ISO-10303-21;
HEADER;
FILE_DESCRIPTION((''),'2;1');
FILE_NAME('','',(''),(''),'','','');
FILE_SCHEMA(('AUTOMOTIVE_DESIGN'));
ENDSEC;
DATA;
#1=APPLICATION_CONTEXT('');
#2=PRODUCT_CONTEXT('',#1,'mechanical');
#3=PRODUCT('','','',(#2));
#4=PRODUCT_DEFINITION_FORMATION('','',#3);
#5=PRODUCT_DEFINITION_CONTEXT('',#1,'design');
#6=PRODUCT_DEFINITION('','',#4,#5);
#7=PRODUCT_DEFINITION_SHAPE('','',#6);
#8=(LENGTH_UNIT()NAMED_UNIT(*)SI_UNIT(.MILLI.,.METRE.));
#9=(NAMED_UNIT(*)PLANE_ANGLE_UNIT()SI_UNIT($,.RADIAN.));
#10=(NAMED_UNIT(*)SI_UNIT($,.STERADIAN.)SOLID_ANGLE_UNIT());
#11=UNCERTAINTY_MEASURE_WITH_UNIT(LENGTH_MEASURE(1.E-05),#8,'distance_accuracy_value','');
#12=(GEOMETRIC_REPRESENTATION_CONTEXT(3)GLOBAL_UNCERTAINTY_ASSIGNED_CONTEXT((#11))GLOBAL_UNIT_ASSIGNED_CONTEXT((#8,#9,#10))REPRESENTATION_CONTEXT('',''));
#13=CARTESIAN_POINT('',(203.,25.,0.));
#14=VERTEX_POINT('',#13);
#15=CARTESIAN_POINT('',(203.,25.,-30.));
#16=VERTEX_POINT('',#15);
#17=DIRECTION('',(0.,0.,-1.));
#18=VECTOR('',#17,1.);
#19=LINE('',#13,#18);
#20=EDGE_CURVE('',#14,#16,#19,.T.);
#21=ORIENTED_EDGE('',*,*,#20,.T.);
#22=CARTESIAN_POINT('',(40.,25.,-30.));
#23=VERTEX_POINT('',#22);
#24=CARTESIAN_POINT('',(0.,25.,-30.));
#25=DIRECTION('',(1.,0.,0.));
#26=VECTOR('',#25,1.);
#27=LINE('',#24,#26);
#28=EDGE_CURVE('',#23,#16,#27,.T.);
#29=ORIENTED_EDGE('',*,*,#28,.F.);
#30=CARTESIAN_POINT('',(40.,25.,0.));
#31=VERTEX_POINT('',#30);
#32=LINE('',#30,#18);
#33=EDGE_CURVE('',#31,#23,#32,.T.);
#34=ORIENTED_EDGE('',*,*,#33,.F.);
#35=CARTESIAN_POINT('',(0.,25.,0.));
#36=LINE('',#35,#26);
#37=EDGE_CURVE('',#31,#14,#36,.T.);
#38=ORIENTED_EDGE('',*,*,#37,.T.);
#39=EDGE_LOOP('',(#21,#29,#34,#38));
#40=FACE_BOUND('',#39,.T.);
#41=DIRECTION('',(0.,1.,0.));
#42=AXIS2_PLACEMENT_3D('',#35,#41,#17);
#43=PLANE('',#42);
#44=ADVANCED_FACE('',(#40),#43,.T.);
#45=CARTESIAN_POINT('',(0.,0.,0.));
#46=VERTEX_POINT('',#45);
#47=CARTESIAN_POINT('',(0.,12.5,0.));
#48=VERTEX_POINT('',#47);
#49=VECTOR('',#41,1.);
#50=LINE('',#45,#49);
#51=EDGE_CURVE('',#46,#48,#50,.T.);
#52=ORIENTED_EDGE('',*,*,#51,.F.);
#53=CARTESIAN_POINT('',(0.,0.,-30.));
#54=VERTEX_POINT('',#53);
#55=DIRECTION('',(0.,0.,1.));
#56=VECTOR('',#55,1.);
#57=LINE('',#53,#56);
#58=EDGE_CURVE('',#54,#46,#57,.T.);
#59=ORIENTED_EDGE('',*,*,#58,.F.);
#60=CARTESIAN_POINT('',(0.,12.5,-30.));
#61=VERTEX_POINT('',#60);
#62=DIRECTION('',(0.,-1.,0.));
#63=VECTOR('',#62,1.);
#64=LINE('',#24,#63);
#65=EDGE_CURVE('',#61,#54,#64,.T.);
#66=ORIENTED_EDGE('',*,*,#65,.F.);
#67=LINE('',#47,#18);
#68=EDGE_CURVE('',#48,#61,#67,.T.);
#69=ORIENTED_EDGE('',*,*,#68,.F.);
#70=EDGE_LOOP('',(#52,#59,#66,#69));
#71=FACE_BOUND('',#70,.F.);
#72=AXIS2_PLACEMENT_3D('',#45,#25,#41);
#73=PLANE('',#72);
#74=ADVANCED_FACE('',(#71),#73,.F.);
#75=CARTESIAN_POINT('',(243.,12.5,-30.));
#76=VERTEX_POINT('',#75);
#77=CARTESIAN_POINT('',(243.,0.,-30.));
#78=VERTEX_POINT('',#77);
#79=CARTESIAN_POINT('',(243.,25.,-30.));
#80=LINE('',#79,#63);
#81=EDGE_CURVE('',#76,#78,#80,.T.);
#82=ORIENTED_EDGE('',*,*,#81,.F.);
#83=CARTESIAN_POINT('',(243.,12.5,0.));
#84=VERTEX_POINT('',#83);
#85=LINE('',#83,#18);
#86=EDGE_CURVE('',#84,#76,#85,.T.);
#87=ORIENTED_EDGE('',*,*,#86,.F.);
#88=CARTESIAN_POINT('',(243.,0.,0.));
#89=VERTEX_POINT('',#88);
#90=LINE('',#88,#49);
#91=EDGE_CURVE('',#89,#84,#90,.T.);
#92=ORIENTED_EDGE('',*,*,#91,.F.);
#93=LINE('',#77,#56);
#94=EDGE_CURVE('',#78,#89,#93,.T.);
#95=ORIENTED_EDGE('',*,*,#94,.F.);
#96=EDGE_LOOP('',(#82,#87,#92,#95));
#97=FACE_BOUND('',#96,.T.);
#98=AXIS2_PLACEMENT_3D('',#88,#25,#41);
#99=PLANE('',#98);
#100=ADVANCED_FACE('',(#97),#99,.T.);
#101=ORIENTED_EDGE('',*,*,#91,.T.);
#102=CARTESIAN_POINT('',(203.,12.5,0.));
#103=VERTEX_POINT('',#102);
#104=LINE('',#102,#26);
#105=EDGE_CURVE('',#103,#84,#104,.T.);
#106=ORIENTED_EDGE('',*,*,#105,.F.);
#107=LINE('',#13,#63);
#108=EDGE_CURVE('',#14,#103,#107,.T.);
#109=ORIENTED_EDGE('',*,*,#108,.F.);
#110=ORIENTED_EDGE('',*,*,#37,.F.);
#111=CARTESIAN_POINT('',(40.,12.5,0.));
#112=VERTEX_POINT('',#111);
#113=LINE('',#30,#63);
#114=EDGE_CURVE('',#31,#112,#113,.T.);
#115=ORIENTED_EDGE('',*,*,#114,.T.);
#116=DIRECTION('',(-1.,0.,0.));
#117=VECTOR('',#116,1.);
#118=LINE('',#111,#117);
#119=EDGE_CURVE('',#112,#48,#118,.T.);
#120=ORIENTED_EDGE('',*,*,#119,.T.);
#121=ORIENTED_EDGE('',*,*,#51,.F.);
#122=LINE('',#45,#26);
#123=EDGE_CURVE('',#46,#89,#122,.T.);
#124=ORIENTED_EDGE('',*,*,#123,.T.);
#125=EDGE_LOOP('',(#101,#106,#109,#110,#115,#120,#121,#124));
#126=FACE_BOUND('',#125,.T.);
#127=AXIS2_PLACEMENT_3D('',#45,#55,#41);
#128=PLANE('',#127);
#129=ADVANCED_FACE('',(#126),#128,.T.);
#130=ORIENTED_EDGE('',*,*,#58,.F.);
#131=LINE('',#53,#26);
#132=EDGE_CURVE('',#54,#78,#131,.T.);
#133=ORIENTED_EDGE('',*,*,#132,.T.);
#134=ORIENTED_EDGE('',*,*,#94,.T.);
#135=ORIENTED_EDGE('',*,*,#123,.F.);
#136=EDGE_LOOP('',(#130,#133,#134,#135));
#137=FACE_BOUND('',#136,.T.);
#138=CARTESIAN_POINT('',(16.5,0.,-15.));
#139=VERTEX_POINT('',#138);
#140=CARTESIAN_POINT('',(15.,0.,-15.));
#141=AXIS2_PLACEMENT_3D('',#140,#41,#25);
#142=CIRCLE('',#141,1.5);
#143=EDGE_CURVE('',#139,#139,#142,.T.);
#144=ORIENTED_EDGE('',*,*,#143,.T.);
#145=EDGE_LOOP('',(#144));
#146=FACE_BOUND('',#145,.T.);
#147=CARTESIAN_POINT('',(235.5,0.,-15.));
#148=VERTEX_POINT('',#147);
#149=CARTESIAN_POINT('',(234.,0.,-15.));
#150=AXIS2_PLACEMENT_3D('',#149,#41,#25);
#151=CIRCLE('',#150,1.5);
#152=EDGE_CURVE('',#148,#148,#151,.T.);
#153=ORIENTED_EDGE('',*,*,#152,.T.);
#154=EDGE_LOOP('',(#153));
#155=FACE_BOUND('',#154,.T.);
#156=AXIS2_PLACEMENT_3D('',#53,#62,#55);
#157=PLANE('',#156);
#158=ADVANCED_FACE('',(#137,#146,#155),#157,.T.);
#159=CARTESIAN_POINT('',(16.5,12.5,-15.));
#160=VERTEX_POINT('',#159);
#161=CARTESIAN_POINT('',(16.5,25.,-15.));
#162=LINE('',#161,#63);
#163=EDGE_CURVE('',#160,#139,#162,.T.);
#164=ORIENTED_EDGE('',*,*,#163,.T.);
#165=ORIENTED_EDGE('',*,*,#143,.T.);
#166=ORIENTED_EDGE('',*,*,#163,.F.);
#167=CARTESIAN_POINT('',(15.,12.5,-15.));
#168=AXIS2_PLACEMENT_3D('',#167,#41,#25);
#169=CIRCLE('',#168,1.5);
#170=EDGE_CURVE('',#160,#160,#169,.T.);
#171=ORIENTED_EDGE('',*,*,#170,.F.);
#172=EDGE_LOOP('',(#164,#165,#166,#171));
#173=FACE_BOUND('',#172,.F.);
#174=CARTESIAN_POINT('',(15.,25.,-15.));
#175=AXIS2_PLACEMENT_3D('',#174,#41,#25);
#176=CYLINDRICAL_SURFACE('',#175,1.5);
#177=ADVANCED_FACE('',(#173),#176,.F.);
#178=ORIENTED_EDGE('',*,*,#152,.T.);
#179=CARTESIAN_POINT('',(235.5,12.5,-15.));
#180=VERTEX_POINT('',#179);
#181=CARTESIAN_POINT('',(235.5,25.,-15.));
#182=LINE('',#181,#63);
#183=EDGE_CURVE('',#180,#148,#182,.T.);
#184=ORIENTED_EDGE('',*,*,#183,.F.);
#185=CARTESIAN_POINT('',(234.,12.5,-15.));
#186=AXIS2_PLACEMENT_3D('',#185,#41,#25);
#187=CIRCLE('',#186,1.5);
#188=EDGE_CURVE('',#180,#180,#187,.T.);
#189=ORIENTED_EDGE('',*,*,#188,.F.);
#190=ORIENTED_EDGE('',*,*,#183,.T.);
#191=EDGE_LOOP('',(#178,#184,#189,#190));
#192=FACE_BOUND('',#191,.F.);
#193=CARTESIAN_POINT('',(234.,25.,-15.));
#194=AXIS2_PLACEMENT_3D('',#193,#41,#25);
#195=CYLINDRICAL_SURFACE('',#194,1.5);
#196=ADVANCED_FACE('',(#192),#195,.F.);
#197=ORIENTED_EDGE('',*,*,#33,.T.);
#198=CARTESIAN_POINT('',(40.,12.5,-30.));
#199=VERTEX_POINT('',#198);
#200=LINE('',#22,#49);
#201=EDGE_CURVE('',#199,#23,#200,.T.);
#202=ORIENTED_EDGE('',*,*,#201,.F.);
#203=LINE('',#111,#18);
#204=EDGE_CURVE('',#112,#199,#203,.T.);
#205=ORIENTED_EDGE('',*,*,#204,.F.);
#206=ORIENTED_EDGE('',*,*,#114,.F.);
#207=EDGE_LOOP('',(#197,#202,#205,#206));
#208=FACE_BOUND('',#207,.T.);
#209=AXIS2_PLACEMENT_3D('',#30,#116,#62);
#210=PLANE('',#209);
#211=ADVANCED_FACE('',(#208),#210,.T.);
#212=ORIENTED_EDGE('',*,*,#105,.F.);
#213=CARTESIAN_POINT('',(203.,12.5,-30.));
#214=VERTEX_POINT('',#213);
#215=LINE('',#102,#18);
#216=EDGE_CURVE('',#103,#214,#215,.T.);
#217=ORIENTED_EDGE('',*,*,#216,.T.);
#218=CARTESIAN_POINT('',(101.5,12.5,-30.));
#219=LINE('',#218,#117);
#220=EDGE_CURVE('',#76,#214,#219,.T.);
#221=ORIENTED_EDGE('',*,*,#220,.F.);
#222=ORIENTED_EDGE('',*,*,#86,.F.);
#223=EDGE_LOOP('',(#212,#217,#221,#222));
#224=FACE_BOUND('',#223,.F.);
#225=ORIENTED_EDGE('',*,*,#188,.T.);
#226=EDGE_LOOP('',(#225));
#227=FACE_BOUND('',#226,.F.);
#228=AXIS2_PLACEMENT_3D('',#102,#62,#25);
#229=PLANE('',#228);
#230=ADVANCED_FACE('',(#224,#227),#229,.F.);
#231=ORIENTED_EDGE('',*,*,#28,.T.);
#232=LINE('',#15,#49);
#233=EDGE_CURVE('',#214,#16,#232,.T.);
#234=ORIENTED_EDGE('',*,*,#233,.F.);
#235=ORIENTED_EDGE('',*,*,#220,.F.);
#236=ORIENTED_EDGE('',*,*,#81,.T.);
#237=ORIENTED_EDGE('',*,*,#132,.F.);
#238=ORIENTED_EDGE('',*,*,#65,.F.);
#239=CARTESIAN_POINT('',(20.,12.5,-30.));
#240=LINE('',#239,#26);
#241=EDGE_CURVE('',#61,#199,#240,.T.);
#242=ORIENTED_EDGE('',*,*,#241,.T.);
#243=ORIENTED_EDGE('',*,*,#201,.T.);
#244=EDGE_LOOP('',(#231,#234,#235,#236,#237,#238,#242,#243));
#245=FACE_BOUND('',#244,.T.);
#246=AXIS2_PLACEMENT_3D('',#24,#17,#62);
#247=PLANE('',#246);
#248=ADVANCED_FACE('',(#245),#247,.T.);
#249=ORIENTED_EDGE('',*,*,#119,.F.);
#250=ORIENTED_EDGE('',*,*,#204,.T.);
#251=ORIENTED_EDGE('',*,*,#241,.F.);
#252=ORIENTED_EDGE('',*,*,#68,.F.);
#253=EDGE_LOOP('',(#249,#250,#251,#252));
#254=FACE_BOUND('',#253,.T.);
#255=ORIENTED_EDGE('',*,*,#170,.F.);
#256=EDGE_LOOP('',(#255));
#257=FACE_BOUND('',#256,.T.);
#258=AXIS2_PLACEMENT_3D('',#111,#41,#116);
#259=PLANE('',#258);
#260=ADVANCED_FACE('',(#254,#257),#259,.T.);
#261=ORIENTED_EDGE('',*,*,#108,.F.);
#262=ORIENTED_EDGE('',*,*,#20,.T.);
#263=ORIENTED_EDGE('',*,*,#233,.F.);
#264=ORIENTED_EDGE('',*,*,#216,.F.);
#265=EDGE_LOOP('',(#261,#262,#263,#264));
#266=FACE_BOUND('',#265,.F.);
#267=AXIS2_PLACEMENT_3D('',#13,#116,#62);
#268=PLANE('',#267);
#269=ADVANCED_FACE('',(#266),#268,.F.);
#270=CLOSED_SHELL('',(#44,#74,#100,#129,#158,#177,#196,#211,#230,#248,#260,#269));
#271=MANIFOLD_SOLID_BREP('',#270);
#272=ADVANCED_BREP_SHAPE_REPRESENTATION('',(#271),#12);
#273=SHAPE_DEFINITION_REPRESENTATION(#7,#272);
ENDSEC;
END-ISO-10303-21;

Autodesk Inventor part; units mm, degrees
ref_plane "YZ Plane" through (0, 0, 0) normal (1, 0, 0) x (0, 1, 0)
ref_plane "XZ Plane" through (0, 0, 0) normal (0, 1, 0) x (-1, 0, 0)
ref_plane "XY Plane" through (0, 0, 0) normal (0, 0, 1) x (1, 0, 0)
sketch "Esquisse1" plane through (0, 0, 0) normal (1, 0, 0) x (0, 1, 0)
  line L0 (0, 0) -> (25, 0)
  line L1 (25, 0) -> (25, -30)
  line L2 (25, -30) -> (0, -30)
  line L3 (0, -30) -> (0, 0)
  dimension "d0" = 25
  dimension "d1" = 30
extrude "Extrusion1" add sketch "Esquisse1" along normal blind 243
sketch "Esquisse2" plane through (0, 25, 0) normal (0, 1, 0) x (1, 0, 0)
  circle A0 centre (15, 15) radius 1.5
  line L0 (0, 30) -> (0, 0) projected
  circle A1 centre (234, 15) radius 1.5
  dimension "d4" = 3
  dimension "d5" = 15
  dimension "d6" = 3
  dimension "d7" = 219
extrude "Extrusion2" cut sketch "Esquisse2" against normal blind 25 from surface at 0
sketch "Esquisse3" plane through (0, 0, 0) normal (0, 0, 1) x (1, 0, 0)
  line L0 (0, 25) -> (243, 25) projected
  line L1 (0, 25) -> (40, 25)
  line L2 (40, 25) -> (40, 12.5)
  line L3 (40, 12.5) -> (0, 12.5)
  line L4 (0, 12.5) -> (0, 25)
  line L5 (243, 25) -> (203, 25)
  line L6 (203, 25) -> (203, 12.5)
  line L7 (203, 12.5) -> (243, 12.5)
  line L8 (243, 12.5) -> (243, 25)
  point P0 (0, 0)
  dimension "d10" = 12.5
  dimension "d11" = 40
  dimension "d12" = 40
extrude "Extrusion3" cut sketch "Esquisse3" against normal through all
properties part number "Bras_avant"
